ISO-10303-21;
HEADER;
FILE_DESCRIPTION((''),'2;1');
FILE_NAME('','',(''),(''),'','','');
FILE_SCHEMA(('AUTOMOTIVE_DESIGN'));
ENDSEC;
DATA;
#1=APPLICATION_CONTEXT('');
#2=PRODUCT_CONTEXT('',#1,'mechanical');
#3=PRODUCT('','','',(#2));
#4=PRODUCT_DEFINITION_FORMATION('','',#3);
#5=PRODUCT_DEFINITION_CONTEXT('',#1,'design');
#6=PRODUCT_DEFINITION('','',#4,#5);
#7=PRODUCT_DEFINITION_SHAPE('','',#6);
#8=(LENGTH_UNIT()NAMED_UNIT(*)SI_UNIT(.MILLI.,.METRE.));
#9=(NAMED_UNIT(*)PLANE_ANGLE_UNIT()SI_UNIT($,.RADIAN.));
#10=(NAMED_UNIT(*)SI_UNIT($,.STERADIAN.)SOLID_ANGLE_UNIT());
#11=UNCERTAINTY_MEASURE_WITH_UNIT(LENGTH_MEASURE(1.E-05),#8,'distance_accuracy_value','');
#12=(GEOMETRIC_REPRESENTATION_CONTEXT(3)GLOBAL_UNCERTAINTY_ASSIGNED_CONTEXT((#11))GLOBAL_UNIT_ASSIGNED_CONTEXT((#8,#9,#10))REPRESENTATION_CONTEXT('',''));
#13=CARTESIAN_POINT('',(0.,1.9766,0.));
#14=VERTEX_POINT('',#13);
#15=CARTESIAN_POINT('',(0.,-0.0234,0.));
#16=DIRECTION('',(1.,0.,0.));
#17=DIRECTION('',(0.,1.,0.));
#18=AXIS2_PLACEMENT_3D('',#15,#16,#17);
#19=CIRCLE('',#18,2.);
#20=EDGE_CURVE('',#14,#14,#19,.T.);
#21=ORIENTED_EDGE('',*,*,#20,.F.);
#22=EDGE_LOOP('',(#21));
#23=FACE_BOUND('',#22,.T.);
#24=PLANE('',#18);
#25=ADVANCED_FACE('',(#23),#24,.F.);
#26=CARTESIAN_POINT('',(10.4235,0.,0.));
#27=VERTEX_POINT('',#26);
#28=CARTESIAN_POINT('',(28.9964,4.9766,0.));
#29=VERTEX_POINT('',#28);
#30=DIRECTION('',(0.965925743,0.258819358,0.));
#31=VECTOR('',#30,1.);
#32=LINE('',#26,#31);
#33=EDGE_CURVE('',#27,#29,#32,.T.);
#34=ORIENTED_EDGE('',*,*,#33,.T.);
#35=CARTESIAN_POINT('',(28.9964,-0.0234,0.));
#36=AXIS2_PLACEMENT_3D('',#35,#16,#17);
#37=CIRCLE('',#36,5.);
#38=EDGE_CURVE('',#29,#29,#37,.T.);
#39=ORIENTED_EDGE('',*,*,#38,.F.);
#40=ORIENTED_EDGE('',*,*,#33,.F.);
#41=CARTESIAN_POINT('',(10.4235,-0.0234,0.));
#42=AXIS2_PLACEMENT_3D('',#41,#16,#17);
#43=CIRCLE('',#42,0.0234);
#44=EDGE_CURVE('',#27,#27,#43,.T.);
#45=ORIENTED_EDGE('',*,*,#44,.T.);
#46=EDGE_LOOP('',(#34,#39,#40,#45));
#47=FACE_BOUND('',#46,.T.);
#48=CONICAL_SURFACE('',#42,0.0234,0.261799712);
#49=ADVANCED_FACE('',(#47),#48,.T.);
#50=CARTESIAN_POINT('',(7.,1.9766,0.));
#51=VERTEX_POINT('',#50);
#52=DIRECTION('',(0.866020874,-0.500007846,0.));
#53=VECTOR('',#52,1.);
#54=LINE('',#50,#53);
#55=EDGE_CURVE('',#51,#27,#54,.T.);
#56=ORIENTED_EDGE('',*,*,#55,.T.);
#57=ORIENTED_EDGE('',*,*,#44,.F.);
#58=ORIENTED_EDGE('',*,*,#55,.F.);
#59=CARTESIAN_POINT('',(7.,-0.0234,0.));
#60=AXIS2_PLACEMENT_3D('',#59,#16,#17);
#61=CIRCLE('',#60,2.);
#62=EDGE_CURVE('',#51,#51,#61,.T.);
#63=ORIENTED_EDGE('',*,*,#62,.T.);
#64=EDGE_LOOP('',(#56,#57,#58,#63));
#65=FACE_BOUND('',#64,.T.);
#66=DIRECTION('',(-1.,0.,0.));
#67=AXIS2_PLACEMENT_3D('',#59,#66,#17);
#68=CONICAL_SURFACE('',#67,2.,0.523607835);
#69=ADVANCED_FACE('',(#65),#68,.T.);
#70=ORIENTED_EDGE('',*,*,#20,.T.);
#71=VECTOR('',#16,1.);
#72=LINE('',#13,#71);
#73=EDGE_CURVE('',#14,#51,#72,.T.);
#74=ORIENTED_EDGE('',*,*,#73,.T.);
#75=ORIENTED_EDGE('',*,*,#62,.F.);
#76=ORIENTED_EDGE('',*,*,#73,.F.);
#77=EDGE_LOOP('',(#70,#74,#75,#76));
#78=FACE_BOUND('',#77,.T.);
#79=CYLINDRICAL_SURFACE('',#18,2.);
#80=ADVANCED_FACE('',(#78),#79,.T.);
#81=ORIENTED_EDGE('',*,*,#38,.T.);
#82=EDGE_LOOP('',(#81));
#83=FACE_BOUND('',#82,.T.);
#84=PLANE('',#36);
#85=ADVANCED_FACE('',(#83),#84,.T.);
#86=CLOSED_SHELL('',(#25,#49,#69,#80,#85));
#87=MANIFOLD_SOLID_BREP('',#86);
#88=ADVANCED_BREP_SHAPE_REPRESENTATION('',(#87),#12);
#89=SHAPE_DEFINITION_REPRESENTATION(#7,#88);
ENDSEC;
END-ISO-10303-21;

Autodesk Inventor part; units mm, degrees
ref_plane "YZ Plane" through (0, 0, 0) normal (1, 0, 0) x (0, 1, 0)
ref_plane "XZ Plane" through (0, 0, 0) normal (0, 1, 0) x (-1, 0, 0)
ref_plane "XY Plane" through (0, 0, 0) normal (0, 0, 1) x (1, 0, 0)
sketch "Sketch1" plane through (0, 0, 0) normal (0, 0, 1) x (1, 0, 0)
  line L0 (0, -0.0234) -> (0, 1.9766)
  line L1 (0, 1.9766) -> (50, 1.9766)
  line L2 (0, -0.0234) -> (0, 0)
  line L3 (0, 0) -> (50, 0)
  line L4 (0, -0.0234) -> (0, 4.9766)
  line L5 (0, 4.9766) -> (50, 4.9766)
  line L6 (0, -0.0234) -> (0, 3.9766)
  line L7 (0, 3.9766) -> (4, 3.9766)
  line L8 (4, 3.9766) -> (4, 1.9766)
  line L9 (4, 1.9766) -> (4, 9.9766)
  line L10 (4, 1.9766) -> (6.7109, 1.9766) construction
  line L11 (4, 9.9766) -> (7, 9.9766)
  line L12 (7, 9.9766) -> (7, 1.9766)
  line L13 (7, 1.9766) -> (10.4235, 0)
  line L14 (7, 1.9766) -> (9.25, 1.9766) construction
  line L15 (10.4235, 0) -> (28.9964, 4.9766)
  line L16 (10.4235, 0) -> (29.6515, 0) construction
  line L17 (28.9964, 4.9766) -> (28.9964, 6.9766)
  line L18 (28.9964, 6.9766) -> (7, 9.9766)
  line L19 (0, -0.0234) -> (50, -0.0234)
  line L20 (-10, -0.0234) -> (60, -0.0234)
  line L21 (28.9964, 4.9766) -> (28.9964, -0.0234)
  point P0 (28.9964, -0.0234)
  dimension "d0" = 2
  dimension "d1" = 50
  dimension "d2" = 0.0234
  dimension "d3" = 5
  dimension "d4" = 4
  dimension "d5" = 4
  dimension "d6" = 8
  dimension "d7" = 3
  dimension "d8" = 30
  dimension "d9" = 15
  dimension "d10" = 50
revolve "Revolution1" add sketch "Sketch1" angle 360 about axis through (0, -0.0234, 0) along (1, 0, 0) contours L0 L3 L21 L19 | L0 L1 L13 L3 | L15 L1 L21 L3 | L15 L21 L1
properties part number "NozzlePath"
